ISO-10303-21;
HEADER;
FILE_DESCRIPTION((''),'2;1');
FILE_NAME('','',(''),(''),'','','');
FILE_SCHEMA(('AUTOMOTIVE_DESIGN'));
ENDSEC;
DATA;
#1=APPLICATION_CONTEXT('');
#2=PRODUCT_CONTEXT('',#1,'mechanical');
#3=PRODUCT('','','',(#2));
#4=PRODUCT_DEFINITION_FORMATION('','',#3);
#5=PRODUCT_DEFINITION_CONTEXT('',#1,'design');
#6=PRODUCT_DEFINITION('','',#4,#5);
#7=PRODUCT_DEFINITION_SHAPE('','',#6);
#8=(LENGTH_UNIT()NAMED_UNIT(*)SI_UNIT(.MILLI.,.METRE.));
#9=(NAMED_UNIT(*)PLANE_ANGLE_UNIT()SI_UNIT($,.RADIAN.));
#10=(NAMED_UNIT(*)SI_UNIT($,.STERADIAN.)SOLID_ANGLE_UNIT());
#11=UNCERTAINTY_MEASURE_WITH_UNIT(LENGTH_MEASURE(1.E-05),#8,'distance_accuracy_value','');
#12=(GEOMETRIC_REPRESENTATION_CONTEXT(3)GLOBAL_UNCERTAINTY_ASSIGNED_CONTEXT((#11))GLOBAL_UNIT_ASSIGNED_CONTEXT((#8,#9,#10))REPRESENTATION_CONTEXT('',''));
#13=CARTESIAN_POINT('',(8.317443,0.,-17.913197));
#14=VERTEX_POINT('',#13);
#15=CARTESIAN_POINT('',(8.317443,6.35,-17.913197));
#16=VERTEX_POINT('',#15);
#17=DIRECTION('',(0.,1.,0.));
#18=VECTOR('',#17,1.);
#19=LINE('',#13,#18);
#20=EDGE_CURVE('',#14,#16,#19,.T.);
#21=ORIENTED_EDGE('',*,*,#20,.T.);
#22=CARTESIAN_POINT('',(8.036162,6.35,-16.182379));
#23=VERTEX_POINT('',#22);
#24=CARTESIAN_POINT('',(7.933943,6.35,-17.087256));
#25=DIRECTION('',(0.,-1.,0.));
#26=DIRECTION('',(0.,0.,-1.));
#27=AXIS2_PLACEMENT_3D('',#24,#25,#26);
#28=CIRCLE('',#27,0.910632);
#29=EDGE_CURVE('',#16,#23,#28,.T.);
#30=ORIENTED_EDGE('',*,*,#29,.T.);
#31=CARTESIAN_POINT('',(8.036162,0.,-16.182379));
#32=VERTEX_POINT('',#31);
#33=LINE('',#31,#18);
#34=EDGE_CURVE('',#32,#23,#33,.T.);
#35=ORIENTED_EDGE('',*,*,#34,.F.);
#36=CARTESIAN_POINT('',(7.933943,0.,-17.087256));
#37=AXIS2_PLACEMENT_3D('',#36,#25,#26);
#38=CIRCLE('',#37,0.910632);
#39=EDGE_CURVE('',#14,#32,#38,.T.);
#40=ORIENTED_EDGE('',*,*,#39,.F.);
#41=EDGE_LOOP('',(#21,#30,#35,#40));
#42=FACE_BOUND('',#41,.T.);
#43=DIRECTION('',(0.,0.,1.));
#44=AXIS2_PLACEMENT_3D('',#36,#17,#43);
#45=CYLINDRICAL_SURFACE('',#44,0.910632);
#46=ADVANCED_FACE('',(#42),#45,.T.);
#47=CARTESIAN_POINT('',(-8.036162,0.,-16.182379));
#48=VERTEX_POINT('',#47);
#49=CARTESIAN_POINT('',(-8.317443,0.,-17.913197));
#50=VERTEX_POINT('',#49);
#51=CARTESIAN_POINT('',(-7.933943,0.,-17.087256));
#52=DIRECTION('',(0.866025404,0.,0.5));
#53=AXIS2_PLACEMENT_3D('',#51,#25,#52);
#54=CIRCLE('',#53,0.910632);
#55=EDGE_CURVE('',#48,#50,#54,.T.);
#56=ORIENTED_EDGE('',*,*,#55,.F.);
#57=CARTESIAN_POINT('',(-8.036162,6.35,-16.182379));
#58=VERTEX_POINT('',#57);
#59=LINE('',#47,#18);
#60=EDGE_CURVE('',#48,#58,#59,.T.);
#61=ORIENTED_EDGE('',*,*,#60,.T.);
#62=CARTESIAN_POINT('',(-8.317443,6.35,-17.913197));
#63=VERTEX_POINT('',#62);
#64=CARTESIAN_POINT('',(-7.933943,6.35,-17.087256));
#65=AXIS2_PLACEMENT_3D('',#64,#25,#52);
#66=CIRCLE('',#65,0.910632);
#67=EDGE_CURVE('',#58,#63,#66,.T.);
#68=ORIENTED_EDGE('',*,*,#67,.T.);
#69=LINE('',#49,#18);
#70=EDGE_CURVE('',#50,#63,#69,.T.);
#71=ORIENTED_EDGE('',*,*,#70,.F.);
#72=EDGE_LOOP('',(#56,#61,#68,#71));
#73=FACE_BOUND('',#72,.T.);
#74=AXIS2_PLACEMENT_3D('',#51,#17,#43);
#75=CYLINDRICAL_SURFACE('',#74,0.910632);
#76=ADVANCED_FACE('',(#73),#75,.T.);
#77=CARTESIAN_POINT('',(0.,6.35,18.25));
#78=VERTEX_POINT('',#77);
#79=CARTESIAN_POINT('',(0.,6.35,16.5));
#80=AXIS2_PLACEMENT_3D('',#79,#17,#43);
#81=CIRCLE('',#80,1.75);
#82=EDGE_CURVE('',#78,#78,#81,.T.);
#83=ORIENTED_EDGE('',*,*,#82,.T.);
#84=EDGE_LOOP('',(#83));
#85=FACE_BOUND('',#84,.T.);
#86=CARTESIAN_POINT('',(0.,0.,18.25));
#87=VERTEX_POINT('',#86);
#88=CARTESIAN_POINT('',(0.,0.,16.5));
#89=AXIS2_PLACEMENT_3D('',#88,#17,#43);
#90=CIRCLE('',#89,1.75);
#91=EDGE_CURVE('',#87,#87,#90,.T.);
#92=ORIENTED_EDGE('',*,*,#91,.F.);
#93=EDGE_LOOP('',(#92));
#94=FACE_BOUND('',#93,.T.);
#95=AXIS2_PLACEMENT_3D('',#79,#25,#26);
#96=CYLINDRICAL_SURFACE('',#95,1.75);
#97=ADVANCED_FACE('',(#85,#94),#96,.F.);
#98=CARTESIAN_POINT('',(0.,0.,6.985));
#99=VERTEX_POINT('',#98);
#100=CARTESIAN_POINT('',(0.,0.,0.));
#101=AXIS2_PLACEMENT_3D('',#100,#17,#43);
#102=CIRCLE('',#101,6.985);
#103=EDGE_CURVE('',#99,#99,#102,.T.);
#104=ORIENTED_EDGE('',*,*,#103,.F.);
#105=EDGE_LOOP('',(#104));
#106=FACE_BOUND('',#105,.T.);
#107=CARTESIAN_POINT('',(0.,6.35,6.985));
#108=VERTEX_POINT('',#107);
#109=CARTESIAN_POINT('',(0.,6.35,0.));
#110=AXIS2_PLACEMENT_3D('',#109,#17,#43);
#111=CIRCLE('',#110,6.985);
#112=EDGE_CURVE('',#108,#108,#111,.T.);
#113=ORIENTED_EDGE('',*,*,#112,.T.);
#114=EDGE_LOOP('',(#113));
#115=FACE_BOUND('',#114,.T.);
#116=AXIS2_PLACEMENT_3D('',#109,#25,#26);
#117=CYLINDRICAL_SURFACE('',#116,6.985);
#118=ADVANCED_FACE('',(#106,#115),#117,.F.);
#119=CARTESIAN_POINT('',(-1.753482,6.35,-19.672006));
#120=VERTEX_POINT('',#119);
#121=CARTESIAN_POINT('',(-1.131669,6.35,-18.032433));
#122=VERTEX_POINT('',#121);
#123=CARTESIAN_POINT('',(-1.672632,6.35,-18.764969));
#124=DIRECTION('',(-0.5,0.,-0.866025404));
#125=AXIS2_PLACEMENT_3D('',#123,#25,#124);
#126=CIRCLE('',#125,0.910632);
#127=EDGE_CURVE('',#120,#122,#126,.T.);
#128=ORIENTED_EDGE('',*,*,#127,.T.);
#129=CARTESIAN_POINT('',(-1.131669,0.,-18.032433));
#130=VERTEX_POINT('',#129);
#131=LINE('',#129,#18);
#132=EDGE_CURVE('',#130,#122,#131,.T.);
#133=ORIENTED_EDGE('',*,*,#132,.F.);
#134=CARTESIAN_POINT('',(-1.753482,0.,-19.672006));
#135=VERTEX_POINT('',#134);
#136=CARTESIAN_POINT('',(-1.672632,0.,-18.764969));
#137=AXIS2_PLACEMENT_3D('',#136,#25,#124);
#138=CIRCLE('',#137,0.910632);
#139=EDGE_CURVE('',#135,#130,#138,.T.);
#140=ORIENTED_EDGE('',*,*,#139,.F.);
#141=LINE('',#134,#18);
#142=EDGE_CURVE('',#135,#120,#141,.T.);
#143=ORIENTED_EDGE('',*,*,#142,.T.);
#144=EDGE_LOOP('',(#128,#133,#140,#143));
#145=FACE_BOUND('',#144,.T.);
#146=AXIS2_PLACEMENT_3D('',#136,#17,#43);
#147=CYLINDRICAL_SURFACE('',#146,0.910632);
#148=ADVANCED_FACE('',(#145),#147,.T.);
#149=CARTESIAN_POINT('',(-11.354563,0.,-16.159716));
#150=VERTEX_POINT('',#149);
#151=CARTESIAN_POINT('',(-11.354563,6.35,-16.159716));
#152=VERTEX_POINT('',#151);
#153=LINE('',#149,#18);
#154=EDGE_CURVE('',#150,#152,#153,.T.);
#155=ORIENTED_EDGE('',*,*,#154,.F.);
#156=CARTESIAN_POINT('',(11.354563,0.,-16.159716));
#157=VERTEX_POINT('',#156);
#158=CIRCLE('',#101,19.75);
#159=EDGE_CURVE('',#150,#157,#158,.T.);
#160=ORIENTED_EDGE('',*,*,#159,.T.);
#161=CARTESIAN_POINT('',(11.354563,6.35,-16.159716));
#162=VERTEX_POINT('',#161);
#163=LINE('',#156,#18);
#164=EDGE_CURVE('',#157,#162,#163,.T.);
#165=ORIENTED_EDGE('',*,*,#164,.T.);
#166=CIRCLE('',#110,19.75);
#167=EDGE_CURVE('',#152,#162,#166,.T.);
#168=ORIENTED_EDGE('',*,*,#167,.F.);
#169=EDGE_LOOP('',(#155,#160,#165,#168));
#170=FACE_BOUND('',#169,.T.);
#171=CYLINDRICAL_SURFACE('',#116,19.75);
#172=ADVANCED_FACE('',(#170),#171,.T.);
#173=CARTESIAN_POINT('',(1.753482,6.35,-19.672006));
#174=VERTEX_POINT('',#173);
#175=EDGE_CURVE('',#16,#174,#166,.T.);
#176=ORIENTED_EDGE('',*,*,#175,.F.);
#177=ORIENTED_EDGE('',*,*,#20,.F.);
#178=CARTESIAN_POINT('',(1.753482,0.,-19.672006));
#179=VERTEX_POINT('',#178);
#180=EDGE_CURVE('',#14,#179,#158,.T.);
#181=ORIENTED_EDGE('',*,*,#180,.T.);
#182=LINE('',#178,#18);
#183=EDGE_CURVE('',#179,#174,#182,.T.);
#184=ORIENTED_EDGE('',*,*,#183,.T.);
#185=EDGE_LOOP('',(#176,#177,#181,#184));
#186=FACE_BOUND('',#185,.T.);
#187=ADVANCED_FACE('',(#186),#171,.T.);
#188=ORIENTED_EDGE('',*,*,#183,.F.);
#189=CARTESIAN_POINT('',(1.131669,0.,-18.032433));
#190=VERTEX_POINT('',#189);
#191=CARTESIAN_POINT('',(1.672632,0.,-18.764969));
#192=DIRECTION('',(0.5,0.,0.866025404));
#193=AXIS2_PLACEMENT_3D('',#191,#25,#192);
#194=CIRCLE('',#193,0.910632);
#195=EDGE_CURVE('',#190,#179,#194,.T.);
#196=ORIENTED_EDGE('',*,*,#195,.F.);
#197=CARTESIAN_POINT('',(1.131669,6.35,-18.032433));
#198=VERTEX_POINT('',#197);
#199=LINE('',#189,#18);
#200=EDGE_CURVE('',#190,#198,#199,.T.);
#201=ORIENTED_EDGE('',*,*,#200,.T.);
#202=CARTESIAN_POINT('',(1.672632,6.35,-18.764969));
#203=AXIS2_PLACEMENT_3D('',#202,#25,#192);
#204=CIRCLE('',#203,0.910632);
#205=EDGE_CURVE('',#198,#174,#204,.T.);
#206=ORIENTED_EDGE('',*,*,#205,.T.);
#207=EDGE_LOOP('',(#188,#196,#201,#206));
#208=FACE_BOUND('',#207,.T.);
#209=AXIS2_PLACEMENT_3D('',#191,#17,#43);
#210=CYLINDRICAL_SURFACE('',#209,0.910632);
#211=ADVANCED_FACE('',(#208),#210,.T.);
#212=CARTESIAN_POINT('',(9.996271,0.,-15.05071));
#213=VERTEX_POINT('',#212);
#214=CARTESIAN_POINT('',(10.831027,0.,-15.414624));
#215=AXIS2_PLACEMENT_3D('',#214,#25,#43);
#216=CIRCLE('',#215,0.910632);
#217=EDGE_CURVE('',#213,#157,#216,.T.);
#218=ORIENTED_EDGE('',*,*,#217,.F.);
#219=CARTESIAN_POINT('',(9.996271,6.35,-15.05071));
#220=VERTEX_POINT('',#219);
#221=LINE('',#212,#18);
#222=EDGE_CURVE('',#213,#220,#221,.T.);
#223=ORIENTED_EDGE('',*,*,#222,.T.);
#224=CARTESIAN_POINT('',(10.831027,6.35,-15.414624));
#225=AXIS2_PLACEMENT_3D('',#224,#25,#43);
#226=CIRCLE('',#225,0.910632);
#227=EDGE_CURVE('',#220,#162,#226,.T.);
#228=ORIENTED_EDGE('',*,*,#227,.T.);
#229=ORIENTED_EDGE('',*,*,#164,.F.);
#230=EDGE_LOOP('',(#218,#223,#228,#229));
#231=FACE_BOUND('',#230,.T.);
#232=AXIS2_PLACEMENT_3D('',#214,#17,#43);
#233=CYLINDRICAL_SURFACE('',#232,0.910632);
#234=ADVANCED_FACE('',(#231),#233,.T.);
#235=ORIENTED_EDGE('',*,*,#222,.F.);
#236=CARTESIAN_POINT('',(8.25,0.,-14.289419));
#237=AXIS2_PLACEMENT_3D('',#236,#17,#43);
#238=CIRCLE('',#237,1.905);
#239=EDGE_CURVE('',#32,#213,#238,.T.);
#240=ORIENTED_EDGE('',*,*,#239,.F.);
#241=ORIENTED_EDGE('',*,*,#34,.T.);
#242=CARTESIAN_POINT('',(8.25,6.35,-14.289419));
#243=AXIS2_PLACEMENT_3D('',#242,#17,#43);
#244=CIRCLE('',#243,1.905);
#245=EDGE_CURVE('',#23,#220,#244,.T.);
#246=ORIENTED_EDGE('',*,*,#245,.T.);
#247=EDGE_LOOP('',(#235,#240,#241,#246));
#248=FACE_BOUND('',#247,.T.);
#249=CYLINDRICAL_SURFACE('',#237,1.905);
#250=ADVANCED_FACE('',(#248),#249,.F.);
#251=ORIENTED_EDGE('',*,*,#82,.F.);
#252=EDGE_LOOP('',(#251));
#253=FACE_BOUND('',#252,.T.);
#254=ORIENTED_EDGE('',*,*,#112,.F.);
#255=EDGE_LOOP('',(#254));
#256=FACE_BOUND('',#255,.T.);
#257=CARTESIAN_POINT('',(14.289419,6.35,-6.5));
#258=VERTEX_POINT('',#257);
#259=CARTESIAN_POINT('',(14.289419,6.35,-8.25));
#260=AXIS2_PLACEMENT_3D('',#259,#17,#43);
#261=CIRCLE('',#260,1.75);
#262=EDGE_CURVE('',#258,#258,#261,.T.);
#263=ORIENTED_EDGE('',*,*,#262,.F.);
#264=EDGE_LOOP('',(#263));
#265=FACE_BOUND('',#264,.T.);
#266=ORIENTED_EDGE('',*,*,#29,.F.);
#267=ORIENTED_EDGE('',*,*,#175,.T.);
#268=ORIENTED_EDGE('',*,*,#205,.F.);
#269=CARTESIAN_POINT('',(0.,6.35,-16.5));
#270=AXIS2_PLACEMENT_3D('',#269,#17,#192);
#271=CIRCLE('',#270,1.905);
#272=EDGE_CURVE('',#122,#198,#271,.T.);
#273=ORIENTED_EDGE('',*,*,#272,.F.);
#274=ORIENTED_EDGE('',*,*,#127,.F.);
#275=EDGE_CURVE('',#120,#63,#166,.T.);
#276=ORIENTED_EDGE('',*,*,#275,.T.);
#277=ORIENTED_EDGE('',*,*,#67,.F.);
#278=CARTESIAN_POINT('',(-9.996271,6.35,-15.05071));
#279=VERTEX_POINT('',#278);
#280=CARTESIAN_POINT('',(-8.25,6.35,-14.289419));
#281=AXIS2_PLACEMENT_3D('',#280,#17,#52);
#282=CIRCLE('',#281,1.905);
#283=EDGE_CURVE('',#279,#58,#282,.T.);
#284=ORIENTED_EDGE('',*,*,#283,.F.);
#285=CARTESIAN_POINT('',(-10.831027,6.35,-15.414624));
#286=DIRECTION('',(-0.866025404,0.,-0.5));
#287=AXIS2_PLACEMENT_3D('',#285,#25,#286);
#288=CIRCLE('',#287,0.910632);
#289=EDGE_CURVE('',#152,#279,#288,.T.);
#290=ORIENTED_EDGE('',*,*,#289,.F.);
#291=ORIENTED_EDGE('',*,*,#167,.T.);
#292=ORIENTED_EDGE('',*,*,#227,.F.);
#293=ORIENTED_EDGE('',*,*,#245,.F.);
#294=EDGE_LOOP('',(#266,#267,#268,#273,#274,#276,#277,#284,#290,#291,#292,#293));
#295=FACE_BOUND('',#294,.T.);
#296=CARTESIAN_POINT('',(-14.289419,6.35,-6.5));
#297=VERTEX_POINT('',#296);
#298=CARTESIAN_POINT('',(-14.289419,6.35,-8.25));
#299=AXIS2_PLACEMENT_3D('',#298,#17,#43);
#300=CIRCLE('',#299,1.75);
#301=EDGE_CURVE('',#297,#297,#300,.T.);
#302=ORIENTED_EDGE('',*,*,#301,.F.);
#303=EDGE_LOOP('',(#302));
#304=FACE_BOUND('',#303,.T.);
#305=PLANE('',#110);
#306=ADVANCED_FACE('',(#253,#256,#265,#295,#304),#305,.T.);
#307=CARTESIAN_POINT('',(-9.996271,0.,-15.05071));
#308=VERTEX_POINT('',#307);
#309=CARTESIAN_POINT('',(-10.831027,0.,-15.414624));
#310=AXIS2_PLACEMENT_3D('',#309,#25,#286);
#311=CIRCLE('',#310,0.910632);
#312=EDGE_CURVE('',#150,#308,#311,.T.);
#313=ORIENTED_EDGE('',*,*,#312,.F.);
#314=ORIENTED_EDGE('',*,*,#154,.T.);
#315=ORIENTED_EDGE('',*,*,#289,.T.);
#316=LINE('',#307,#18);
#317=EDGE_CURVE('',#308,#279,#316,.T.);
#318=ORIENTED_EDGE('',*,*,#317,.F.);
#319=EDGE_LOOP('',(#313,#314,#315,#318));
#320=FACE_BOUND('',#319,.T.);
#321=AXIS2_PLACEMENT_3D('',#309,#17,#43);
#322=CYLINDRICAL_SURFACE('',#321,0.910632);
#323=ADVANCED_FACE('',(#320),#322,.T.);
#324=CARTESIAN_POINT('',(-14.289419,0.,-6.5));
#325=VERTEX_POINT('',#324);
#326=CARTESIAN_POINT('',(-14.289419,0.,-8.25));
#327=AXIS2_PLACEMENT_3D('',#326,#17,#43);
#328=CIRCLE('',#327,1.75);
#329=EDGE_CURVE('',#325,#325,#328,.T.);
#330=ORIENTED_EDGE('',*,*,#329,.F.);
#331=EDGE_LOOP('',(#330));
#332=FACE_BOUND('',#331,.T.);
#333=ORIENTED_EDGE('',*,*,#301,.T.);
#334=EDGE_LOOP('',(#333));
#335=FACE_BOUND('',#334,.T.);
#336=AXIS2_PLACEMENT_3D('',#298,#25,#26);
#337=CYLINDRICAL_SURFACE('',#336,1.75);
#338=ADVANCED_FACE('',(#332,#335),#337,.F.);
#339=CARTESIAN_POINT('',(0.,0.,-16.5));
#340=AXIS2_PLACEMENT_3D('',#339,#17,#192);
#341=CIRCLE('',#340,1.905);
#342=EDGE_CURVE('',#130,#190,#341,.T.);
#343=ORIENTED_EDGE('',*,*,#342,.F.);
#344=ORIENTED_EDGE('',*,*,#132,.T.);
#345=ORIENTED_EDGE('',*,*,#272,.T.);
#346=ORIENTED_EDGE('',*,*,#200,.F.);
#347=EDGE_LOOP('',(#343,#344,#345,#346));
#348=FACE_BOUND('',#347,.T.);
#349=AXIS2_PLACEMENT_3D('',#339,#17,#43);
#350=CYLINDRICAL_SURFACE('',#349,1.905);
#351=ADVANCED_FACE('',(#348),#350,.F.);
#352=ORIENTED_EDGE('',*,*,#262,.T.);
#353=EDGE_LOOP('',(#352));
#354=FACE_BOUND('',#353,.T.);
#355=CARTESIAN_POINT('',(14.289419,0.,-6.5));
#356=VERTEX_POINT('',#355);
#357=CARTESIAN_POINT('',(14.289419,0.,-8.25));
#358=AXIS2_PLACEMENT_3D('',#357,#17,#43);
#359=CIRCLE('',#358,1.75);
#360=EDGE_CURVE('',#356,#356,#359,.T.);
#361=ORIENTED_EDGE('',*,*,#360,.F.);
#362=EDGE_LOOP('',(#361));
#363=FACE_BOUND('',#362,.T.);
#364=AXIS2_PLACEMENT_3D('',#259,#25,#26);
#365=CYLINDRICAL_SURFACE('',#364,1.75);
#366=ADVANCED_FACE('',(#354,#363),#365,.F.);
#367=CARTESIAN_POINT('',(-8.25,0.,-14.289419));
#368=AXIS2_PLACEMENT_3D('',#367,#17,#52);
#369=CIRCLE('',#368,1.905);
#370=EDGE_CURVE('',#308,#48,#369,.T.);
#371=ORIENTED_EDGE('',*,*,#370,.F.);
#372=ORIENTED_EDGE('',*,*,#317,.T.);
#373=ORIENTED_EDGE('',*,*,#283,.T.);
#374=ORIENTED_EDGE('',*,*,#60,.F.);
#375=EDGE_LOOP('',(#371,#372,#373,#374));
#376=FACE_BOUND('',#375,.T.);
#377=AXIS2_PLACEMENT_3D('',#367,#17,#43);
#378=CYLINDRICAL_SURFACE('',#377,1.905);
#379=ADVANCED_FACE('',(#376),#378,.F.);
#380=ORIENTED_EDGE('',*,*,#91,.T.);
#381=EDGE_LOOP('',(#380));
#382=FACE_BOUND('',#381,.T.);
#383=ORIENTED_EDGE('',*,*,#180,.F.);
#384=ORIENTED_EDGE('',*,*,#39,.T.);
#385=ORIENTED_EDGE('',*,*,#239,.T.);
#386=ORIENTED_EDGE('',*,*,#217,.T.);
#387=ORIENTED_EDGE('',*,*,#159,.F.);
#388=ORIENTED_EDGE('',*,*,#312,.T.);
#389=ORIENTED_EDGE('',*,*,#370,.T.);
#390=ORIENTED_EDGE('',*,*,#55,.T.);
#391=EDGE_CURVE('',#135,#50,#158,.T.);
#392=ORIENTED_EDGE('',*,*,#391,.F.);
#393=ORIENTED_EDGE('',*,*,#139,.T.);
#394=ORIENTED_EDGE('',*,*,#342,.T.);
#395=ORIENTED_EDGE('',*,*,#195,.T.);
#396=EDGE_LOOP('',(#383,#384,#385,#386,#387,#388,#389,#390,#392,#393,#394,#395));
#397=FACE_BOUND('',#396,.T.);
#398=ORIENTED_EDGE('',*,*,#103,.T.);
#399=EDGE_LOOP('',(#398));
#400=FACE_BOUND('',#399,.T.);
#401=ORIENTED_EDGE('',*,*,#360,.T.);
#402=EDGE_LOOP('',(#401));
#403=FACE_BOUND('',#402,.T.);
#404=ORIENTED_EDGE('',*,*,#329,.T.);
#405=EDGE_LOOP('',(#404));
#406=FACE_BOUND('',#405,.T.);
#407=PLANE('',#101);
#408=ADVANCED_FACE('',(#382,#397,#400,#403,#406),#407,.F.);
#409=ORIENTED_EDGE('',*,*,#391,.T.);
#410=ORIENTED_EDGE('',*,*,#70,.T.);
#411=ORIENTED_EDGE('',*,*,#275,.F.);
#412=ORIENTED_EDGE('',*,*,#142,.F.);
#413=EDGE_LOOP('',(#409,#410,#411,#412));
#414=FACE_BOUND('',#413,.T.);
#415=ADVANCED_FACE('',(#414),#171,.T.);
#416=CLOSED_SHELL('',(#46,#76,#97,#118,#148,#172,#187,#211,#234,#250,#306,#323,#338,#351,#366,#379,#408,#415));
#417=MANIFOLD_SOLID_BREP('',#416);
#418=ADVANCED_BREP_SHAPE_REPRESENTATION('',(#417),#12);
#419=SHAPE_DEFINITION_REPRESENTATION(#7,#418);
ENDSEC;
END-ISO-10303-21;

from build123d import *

# Parameters (mm, degrees)
SKETCH1_R           = 19.75
SKETCH1_R_2         = 6.985
SKETCH1_R_3         = 1.75
BOSS_EXTRUDE1_DEPTH = 6.35
CUT_EXTRUDE1_DEPTH  = 7.35
CIRPATTERN1_COUNT   = 3
CIRPATTERN1_ANGLE   = 60


with BuildPart() as part:
    # Sketch1 → Boss-Extrude1 (new body)
    with BuildSketch(Plane(origin=(0, 0, 0), x_dir=(1, 0, 0), z_dir=(0, 1, 0))):
        Circle(SKETCH1_R)
        Circle(SKETCH1_R_2, mode=Mode.SUBTRACT)
        with Locations((-14.289419162, 8.25)):
            Circle(SKETCH1_R_3, mode=Mode.SUBTRACT)
        with Locations((0, -16.5)):
            Circle(SKETCH1_R_3, mode=Mode.SUBTRACT)
        with Locations((14.289419162, 8.25)):
            Circle(SKETCH1_R_3, mode=Mode.SUBTRACT)
    extrude(amount=BOSS_EXTRUDE1_DEPTH)

    # Sketch2 → Cut-Extrude1 (cut, through all)
    with BuildSketch(Plane(origin=(0, 6.35, 0), x_dir=(1, 0, 0), z_dir=(0, 1, 0))):
        with BuildLine():
            ThreePointArc((8.036161973, 16.182379357), (7.2975, 12.639640768), (9.99627063, 15.050710096))
            ThreePointArc((9.99627063, 15.050710096), (10.255103275, 16.120005739), (11.354562521, 16.159715652))
            ThreePointArc((11.354562521, 16.159715652), (9.875, 17.104001725), (8.317443012, 17.913197418))
            ThreePointArc((8.317443012, 17.913197418), (8.832782842, 16.941182824), (8.036161973, 16.182379357))
        make_face()
    cut_extrude1 = extrude(amount=-CUT_EXTRUDE1_DEPTH, mode=Mode.SUBTRACT)

    # CirPattern1: Cut-Extrude1 ×3 about axis
    cirpattern1_axis = Axis((0, 0, 0), (0, 1, 0))
    for i in range(1, CIRPATTERN1_COUNT):
        add(cut_extrude1.rotate(cirpattern1_axis, i * CIRPATTERN1_ANGLE / (CIRPATTERN1_COUNT - 1)), mode=Mode.SUBTRACT)


solid = part.part
